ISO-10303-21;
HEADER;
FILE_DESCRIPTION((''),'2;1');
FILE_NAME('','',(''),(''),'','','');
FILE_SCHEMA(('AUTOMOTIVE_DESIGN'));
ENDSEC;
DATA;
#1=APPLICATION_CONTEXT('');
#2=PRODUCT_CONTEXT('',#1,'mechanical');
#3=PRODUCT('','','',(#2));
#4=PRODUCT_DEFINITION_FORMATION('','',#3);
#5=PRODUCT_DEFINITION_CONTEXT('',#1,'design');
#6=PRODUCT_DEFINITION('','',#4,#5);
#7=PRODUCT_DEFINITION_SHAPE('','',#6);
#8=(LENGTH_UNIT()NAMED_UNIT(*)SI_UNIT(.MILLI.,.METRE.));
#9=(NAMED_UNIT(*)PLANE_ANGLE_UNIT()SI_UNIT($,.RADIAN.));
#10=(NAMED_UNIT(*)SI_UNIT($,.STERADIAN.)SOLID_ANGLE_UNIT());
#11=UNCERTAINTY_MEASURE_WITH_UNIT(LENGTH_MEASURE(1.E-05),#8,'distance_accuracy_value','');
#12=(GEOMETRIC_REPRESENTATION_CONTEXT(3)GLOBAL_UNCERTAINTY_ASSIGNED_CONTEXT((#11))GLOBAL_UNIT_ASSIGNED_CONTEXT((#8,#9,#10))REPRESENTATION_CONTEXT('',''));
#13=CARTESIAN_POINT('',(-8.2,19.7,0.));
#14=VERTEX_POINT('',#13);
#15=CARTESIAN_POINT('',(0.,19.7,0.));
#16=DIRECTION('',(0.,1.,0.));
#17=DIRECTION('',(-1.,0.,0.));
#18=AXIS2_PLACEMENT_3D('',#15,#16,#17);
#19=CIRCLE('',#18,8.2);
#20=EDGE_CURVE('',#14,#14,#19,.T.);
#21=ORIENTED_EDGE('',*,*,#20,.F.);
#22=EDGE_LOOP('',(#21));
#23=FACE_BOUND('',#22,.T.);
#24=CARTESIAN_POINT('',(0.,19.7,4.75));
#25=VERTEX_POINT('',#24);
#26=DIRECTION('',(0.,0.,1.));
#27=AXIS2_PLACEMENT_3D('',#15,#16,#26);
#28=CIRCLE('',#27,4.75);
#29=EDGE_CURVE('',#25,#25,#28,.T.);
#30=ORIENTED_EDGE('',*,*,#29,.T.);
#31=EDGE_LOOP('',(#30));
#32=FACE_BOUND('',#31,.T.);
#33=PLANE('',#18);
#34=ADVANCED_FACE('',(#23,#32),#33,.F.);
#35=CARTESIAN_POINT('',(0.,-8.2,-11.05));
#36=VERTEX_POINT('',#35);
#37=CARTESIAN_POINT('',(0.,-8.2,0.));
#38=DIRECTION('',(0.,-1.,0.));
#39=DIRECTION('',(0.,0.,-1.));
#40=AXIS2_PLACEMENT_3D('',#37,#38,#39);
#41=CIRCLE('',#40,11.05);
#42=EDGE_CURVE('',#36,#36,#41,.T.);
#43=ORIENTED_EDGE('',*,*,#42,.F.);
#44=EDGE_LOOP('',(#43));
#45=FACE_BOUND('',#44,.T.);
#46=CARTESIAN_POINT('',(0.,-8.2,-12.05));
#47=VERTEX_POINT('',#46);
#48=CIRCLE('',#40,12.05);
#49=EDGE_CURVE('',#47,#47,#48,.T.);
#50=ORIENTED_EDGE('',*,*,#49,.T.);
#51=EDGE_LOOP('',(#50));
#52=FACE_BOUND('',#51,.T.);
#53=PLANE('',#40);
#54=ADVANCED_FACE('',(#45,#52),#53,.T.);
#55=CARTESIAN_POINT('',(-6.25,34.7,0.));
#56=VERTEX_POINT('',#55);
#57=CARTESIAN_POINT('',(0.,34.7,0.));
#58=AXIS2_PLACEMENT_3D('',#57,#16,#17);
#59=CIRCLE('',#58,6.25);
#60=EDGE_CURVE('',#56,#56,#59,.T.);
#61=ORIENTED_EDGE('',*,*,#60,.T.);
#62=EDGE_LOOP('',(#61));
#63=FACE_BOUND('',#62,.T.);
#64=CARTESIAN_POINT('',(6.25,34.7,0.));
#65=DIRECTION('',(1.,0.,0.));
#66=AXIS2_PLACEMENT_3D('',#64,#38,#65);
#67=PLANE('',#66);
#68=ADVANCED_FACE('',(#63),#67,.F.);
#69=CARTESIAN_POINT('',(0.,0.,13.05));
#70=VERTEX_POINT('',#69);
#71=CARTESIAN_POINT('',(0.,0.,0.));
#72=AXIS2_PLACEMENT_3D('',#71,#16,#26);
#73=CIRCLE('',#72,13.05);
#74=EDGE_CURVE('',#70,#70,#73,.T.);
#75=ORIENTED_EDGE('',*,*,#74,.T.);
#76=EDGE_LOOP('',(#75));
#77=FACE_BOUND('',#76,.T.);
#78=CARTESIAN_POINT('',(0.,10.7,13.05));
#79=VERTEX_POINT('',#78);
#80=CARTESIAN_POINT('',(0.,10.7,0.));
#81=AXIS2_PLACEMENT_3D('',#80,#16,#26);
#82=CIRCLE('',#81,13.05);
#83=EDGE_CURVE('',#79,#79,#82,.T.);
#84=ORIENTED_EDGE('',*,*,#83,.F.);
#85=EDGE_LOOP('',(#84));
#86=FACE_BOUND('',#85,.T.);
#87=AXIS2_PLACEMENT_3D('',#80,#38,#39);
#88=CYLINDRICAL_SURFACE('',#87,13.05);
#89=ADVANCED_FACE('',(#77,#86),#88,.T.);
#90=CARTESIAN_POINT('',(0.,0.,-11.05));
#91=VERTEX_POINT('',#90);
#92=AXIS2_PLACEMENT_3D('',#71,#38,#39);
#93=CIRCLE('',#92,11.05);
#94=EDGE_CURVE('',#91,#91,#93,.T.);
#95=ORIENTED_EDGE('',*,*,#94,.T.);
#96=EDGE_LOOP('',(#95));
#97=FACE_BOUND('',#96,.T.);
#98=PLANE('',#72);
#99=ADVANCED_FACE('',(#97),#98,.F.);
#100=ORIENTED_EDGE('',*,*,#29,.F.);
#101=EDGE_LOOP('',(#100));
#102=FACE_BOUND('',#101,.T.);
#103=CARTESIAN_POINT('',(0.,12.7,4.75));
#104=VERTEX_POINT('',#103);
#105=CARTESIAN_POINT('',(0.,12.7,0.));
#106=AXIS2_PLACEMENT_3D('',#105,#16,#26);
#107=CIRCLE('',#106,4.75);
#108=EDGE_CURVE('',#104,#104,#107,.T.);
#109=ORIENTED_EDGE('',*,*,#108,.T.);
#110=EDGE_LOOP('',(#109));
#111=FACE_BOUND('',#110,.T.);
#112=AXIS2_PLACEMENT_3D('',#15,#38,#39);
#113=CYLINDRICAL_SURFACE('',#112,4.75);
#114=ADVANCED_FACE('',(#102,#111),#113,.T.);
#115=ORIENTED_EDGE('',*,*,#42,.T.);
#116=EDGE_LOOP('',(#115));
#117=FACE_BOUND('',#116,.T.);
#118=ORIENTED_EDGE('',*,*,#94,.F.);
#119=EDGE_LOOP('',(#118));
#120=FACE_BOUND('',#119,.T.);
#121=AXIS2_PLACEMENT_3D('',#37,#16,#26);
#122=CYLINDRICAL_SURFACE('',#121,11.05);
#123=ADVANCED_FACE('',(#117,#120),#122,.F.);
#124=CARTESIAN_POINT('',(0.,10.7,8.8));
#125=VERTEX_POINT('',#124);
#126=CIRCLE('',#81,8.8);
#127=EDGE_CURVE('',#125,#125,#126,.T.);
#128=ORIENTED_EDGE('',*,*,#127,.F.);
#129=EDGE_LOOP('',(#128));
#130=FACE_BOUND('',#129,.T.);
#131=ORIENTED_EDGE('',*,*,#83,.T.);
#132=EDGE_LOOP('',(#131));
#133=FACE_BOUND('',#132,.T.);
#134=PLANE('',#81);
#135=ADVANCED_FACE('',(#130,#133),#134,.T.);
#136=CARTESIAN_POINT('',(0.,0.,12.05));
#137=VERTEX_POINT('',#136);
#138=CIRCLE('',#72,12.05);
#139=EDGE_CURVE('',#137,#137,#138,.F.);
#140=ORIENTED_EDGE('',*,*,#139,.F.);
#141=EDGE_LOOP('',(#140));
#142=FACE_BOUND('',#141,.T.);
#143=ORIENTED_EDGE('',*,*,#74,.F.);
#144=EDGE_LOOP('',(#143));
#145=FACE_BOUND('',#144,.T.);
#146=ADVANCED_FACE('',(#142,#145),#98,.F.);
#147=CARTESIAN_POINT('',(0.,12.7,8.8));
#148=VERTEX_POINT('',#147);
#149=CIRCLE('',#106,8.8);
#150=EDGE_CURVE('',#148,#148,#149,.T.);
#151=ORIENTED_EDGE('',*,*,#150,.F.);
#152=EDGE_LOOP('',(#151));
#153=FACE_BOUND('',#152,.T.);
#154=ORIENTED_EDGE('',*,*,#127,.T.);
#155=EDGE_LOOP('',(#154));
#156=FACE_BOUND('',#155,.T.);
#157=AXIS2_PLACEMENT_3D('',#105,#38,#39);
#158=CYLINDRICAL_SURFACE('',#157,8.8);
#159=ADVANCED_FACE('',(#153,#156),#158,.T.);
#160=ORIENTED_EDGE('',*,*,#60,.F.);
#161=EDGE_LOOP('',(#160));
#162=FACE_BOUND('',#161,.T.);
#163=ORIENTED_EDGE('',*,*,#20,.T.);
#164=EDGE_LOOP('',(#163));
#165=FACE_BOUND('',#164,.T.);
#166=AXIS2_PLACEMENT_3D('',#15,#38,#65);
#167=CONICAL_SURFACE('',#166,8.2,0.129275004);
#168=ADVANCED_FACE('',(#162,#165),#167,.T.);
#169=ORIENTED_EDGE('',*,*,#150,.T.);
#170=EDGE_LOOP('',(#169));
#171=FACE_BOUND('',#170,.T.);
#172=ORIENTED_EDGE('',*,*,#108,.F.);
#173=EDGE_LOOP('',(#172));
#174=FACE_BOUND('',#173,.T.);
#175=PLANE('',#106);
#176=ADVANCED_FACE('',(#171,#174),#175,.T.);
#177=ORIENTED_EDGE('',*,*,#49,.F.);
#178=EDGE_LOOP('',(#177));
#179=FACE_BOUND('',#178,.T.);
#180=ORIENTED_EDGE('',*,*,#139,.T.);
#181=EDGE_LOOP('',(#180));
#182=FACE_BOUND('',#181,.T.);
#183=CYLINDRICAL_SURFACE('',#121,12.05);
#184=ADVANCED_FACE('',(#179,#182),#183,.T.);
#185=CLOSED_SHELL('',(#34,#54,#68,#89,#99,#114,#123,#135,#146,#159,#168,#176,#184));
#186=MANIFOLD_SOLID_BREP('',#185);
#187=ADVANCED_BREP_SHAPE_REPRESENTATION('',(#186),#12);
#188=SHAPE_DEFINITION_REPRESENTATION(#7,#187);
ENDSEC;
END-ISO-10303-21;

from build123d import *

# Parameters (mm, degrees)
ESQUISSE1_R        = 13.05
BOSS_EXTRU_1_DEPTH = 10.7
ESQUISSE2_R        = 8.8
BOSS_EXTRU_2_DEPTH = 2
ESQUISSE3_R        = 4.75
BOSS_EXTRU_3_DEPTH = 7
ESQUISSE5_R        = 12.05
ESQUISSE5_R_2      = 11.05
BOSS_EXTRU_5_DEPTH = 8.2


with BuildPart() as part:
    # Esquisse1 → Boss.-Extru.1 (new body)
    with BuildSketch(Plane(origin=(0, 0, 0), x_dir=(1, 0, 0), z_dir=(0, 1, 0))):
        Circle(ESQUISSE1_R)
    extrude(amount=BOSS_EXTRU_1_DEPTH)

    # Esquisse2 → Boss.-Extru.2 (add)
    with BuildSketch(Plane(origin=(0, 10.7, 0), x_dir=(1, 0, 0), z_dir=(0, 1, 0))):
        Circle(ESQUISSE2_R)
    extrude(amount=BOSS_EXTRU_2_DEPTH)

    # Esquisse3 → Boss.-Extru.3 (add)
    with BuildSketch(Plane(origin=(0, 12.7, 0), x_dir=(1, 0, 0), z_dir=(0, 1, 0))):
        Circle(ESQUISSE3_R)
    extrude(amount=BOSS_EXTRU_3_DEPTH)

    # Esquisse5 → Boss.-Extru.5 (add)
    with BuildSketch(Plane.XZ):
        Circle(ESQUISSE5_R)
        Circle(ESQUISSE5_R_2, mode=Mode.SUBTRACT)
    extrude(amount=BOSS_EXTRU_5_DEPTH)

    # Esquisse6 → Révolution1 (revolve)
    with BuildSketch(Plane.XY):
        Polygon((0, 19.7), (8.2, 19.7), (6.25, 34.7), (0, 34.7), align=None)
    revolve(axis=Axis((0, 34.7, 0), (0, -1, 0)))


solid = part.part
